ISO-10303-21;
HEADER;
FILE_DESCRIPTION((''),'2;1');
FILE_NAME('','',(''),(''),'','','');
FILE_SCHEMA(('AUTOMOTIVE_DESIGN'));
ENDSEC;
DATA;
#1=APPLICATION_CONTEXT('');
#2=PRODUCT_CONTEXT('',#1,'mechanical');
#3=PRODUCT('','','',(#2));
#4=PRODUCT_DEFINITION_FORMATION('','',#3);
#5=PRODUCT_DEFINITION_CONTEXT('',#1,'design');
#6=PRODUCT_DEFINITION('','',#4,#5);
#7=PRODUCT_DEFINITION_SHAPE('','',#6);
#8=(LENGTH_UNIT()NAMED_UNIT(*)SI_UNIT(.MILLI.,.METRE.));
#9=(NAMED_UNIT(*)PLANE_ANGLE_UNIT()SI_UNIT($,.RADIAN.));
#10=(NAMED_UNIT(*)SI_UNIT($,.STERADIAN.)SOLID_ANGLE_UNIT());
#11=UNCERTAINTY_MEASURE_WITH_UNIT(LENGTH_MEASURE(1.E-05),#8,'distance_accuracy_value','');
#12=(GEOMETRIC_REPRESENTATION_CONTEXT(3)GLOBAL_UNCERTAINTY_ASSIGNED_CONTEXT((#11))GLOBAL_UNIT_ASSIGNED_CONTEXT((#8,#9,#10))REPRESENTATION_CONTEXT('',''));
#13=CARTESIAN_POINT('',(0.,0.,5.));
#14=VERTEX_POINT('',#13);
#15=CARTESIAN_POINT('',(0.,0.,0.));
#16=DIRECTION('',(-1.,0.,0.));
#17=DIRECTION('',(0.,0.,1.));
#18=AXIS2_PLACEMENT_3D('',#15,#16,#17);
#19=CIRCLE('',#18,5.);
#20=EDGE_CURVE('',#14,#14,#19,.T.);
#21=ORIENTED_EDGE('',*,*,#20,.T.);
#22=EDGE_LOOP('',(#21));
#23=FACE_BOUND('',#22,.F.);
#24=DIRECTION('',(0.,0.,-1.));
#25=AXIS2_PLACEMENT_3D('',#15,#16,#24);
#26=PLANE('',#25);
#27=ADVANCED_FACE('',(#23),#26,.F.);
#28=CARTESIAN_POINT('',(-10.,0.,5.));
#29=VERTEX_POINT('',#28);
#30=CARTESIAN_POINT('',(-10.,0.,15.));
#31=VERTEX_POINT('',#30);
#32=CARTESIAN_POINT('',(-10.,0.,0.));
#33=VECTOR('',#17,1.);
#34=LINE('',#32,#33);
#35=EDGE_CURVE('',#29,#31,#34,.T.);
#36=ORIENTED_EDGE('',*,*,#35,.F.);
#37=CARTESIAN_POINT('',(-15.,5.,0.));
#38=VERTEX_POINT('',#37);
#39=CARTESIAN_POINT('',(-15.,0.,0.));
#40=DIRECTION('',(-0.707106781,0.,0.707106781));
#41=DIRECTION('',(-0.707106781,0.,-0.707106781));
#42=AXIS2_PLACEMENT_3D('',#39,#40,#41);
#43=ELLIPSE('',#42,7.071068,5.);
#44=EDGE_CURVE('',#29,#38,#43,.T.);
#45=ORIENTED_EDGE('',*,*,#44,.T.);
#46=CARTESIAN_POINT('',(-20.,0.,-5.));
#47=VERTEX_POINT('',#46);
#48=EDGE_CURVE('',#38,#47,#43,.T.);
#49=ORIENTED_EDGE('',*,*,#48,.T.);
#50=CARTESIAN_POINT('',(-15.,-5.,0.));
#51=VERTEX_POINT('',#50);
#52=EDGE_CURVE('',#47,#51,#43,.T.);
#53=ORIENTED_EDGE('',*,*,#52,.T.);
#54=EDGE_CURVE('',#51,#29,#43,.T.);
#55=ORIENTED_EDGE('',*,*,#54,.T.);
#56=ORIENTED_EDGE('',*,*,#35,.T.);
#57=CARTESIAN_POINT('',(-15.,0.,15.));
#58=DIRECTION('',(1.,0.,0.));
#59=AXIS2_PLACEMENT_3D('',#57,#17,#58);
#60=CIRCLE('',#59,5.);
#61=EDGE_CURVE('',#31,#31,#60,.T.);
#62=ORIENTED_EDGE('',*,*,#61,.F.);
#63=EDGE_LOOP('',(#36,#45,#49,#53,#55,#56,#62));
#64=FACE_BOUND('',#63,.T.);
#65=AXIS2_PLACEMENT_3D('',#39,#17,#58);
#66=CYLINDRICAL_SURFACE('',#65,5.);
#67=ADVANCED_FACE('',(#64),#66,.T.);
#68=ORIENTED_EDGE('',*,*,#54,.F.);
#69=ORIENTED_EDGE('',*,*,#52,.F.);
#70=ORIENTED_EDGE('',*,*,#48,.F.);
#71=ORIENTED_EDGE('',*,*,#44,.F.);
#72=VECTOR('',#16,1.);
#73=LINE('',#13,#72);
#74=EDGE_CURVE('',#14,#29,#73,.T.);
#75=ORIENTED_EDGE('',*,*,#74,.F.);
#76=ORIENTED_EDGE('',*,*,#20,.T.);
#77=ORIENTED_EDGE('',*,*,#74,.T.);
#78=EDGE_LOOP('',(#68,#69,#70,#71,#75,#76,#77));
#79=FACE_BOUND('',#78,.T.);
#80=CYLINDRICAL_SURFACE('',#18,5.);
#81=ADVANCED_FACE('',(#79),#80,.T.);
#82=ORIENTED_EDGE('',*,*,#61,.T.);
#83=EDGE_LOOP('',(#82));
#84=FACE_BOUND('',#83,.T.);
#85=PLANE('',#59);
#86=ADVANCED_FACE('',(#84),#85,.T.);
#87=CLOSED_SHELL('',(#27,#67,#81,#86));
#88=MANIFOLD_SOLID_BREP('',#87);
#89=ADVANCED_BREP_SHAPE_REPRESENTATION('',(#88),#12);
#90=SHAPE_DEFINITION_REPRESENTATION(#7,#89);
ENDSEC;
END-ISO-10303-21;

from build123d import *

# Parameters (mm, degrees)
SKETCH3_R = 5


with BuildPart() as part:
    # Sweep1: sweep along a curve in space
    with BuildLine() as sweep1_path:
        Line((0, 0, 0), (-15, 0, 0))
        Line((-15, 0, 0), (-15, 0, 15))
    # Sketch3 → Sweep1 (sweep)
    with BuildSketch(Plane.ZY):
        Circle(SKETCH3_R)
    sweep(path=sweep1_path.line, transition=Transition.RIGHT)


solid = part.part
